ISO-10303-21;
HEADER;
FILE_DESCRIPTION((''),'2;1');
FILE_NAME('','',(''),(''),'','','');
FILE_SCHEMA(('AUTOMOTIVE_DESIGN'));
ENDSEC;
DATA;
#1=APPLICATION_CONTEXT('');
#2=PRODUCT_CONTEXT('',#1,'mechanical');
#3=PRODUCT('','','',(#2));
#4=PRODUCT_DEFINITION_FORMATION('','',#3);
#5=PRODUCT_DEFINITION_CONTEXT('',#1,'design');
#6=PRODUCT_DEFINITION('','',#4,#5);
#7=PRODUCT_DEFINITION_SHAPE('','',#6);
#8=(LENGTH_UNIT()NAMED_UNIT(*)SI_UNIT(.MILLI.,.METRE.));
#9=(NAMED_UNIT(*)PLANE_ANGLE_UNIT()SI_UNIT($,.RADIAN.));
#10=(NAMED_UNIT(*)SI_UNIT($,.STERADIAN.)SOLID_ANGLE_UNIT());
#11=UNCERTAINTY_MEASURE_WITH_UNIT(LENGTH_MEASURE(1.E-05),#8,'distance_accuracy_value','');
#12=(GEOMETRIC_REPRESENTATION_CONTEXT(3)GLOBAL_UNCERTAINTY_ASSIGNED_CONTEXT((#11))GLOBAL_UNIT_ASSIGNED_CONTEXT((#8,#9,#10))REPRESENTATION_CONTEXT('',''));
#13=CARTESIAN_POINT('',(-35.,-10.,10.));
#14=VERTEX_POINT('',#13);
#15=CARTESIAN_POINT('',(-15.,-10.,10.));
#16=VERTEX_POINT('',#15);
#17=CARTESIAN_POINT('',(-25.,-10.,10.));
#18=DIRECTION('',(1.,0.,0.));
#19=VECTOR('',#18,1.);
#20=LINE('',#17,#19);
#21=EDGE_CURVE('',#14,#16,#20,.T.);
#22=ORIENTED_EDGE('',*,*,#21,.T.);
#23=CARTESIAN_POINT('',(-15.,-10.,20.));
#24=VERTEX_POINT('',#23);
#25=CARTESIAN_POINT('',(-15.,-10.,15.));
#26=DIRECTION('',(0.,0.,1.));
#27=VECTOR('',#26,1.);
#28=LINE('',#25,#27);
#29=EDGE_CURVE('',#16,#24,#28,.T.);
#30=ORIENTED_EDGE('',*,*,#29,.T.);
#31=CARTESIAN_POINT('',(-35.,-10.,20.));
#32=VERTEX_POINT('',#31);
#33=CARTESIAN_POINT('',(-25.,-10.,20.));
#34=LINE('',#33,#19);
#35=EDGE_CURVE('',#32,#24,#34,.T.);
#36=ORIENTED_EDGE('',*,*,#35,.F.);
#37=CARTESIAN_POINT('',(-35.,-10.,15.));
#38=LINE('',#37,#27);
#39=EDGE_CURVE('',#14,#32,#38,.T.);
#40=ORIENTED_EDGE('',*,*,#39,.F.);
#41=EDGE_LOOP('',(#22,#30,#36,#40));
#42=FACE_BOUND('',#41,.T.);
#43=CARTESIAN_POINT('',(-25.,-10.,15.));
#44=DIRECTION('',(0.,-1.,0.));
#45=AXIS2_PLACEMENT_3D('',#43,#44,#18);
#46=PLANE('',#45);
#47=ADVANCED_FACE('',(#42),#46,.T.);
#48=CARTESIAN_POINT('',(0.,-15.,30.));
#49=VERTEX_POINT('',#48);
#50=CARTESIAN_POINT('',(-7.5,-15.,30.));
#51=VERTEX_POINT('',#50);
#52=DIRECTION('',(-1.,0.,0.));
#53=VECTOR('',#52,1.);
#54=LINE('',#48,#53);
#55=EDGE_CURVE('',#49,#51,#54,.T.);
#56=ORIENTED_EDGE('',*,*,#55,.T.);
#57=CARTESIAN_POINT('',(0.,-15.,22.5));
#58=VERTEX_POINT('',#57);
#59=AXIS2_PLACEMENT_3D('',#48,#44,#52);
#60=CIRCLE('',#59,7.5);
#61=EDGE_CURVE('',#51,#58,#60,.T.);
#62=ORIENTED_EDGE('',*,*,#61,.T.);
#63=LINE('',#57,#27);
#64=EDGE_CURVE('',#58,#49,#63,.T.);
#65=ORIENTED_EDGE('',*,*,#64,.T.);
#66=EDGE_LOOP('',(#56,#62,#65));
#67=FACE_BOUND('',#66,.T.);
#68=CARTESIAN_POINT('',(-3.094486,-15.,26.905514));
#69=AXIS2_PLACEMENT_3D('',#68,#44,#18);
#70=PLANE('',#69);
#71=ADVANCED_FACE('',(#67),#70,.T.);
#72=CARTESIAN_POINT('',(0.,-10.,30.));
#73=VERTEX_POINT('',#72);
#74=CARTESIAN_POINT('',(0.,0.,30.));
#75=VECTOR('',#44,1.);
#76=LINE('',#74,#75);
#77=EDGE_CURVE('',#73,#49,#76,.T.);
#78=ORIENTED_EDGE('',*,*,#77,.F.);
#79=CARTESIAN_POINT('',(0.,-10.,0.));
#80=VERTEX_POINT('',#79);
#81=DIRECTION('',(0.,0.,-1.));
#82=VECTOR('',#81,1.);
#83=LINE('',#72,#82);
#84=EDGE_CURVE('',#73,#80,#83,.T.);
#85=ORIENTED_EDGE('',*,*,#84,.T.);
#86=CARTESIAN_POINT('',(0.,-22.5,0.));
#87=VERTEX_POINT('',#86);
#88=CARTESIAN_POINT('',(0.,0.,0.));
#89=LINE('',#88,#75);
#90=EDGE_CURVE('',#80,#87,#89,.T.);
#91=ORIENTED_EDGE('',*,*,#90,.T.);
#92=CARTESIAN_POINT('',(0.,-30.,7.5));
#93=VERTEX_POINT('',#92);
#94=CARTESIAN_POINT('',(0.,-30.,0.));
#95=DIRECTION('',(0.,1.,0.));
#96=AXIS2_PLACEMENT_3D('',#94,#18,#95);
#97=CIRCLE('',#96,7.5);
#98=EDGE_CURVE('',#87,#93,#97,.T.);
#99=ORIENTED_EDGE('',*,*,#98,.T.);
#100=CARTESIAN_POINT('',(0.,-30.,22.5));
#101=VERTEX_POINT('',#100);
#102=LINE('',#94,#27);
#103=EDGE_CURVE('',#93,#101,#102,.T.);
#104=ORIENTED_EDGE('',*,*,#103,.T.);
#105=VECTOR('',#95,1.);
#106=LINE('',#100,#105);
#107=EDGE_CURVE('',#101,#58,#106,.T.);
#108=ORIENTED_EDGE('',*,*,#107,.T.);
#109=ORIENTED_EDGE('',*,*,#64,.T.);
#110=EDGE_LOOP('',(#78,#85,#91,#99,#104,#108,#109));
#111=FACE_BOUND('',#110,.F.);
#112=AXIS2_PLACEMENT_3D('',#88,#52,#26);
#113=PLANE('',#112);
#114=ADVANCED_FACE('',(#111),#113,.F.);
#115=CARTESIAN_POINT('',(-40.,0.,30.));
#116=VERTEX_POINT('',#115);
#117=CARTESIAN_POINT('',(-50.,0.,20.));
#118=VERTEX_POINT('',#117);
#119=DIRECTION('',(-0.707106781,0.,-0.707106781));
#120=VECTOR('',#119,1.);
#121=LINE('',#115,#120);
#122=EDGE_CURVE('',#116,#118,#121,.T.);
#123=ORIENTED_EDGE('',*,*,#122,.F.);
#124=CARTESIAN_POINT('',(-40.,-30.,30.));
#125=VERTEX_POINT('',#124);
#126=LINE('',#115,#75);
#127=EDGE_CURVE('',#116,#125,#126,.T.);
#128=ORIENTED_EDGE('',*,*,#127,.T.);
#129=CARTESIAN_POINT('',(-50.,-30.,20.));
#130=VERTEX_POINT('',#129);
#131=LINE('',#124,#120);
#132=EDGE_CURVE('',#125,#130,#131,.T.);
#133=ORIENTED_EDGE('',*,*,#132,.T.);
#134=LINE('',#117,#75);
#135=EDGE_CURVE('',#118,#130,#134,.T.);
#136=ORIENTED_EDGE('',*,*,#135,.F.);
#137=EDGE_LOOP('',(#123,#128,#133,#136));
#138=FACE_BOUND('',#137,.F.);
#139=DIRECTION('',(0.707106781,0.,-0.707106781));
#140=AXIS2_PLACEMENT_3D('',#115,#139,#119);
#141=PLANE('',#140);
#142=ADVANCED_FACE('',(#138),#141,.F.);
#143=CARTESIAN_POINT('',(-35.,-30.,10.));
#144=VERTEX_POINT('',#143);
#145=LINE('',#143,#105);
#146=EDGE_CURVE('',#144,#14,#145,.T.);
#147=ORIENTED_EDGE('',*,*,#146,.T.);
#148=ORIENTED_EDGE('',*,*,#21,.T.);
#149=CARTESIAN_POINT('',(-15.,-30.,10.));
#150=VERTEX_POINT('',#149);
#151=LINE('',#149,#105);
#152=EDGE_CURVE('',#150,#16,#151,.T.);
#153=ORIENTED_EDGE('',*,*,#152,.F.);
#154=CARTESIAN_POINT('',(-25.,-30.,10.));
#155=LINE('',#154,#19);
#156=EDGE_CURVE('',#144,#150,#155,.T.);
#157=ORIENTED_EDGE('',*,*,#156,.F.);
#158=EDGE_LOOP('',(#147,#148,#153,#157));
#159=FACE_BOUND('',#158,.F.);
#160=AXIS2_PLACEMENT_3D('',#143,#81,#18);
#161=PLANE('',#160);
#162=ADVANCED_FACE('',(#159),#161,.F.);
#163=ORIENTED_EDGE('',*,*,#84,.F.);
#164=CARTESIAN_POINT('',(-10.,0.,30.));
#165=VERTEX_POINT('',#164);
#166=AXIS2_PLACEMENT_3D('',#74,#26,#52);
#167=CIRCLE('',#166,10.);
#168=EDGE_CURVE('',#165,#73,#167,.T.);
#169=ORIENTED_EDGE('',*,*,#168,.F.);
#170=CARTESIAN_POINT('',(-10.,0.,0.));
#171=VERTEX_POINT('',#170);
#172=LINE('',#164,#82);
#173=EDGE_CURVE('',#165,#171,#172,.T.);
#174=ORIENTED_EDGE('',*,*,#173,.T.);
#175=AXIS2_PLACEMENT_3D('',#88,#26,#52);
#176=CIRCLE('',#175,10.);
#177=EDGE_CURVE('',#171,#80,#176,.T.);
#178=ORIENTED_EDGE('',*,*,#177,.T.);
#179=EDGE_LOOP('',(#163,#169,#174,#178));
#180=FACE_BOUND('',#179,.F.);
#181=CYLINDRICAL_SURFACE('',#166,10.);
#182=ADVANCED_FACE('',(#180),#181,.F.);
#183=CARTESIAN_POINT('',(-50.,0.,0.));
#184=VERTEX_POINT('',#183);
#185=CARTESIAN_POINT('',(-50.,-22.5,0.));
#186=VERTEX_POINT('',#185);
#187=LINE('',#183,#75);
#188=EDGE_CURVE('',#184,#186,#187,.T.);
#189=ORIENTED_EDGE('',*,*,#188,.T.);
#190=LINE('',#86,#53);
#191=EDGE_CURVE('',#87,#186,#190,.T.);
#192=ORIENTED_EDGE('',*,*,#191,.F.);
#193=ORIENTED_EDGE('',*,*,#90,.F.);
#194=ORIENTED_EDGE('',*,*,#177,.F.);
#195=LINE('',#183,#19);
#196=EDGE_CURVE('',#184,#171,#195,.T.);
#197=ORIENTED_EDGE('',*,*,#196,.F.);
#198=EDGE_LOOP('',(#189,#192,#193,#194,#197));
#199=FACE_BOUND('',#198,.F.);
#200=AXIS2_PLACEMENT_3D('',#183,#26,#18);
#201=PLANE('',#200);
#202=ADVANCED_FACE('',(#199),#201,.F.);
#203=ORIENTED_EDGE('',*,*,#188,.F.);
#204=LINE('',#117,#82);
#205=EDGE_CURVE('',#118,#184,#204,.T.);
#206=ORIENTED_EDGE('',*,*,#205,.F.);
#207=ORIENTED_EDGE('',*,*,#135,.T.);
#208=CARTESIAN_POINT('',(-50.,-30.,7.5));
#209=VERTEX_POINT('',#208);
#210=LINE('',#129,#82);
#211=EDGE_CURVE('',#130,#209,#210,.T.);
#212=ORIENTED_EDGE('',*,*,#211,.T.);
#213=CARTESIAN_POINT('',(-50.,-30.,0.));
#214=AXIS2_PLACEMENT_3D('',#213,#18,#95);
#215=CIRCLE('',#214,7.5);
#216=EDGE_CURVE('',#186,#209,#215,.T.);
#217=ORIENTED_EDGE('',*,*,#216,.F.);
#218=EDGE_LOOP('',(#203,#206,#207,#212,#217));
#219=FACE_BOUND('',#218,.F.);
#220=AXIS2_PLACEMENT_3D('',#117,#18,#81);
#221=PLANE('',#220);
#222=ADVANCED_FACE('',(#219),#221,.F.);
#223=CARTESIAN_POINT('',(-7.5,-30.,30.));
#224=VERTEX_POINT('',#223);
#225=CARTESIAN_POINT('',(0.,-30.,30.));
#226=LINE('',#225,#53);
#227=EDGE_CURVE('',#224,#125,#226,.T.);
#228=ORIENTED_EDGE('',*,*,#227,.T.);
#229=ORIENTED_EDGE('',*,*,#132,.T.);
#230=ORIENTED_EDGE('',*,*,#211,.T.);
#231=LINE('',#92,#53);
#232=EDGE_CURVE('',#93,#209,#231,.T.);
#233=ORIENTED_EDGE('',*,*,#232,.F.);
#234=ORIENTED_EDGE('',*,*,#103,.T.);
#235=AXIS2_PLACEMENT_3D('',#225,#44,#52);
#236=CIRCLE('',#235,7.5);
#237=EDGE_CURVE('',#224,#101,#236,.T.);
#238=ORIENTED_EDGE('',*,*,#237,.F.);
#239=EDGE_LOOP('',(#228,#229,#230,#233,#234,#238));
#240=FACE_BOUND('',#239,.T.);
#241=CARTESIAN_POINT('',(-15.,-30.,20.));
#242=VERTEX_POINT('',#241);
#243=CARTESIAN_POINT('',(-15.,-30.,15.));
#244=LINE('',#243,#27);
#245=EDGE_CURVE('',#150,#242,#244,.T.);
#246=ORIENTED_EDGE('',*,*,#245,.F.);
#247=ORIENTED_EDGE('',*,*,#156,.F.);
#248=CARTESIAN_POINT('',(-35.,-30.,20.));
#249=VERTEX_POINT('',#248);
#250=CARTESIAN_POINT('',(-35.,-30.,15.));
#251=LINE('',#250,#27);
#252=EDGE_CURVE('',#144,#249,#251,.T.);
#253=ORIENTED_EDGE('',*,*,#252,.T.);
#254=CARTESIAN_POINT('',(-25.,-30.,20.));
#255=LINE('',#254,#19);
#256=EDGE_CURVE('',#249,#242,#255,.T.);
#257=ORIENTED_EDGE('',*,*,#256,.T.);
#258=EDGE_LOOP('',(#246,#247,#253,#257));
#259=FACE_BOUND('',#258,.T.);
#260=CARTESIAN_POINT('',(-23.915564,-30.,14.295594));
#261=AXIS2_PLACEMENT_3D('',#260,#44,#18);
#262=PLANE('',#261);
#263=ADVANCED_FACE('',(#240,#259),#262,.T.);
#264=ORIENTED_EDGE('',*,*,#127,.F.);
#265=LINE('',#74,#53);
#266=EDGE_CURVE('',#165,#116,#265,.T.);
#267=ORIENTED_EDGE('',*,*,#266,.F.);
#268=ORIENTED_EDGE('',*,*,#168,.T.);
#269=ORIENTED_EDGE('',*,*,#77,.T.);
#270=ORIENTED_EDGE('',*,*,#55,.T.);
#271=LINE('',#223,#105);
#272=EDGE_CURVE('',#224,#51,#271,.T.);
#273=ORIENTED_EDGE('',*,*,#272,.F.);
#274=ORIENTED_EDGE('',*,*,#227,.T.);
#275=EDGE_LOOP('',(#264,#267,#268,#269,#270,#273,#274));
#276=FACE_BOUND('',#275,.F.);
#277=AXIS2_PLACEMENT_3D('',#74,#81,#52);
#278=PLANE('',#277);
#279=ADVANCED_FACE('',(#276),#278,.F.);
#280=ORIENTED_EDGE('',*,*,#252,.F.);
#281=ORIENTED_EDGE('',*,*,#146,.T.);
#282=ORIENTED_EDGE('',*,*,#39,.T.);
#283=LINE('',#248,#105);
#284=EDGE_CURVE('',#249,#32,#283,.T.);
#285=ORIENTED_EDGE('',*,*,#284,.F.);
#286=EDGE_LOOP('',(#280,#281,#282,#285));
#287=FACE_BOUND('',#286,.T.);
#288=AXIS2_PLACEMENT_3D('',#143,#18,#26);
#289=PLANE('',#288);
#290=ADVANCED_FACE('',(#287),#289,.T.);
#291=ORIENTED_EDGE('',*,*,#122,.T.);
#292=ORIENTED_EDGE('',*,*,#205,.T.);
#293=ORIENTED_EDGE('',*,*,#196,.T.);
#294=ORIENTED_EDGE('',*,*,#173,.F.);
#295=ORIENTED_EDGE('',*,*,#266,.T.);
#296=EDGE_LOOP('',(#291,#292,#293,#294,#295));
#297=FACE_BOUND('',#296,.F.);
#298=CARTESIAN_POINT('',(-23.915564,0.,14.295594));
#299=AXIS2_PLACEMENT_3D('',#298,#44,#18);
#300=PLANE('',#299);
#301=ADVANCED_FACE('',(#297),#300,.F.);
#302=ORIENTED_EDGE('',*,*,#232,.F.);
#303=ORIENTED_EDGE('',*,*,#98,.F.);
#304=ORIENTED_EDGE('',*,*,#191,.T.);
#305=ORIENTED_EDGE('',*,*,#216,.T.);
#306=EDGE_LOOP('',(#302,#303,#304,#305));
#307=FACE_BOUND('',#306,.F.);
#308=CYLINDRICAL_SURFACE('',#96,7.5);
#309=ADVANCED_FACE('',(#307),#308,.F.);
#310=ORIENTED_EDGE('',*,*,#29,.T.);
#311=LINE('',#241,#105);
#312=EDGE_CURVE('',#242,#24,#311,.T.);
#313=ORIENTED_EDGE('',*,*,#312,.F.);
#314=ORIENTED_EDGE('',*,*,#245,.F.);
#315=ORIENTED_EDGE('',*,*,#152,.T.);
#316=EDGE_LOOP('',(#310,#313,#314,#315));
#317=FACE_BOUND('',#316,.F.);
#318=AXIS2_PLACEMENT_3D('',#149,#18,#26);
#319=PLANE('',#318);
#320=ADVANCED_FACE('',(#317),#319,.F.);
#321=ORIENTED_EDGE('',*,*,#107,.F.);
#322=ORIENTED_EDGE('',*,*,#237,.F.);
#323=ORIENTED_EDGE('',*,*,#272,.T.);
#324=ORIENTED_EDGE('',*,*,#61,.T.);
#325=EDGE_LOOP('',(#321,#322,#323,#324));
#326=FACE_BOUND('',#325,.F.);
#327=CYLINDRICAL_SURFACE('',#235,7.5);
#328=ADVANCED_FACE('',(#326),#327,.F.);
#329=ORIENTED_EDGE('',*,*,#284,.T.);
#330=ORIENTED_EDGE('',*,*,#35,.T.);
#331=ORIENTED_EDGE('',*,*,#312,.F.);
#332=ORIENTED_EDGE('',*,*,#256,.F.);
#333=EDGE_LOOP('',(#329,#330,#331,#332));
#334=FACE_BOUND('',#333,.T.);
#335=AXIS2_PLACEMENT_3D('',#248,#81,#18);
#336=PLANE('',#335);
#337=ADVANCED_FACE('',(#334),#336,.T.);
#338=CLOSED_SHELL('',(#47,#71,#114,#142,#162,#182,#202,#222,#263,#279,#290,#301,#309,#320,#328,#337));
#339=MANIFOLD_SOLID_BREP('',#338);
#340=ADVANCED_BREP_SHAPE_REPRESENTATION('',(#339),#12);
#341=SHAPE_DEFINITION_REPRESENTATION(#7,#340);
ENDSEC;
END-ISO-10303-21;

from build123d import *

# Parameters (mm, degrees)
F1_DEPTH = 30
F2_W     = 20
F2_H     = 10
F3_DEPTH = 20
F5_DEPTH = 15
F7_DEPTH = 50.001
F9_DEPTH = 30.001


with BuildPart() as f1:
    # F0 (on Front) → F1 (new body)
    with BuildSketch(Plane.XZ):
        Polygon((-50, 0), (0, 0), (0, 30), (-40, 30), (-50, 20), align=None)
    extrude(amount=F1_DEPTH)

    # F2 (on face) → F3 (cut)
    with BuildSketch(Plane.XZ.offset(30)):
        with Locations((-25, 15)):
            Rectangle(F2_W, F2_H)
    extrude(amount=-F3_DEPTH, mode=Mode.SUBTRACT)

    # F4 (on face) → F5 (cut)
    with BuildSketch(Plane.XZ.offset(30)):
        with BuildLine():
            Line((0, 30), (-7.5, 30))
            ThreePointArc((-7.5, 30), (-5.3033008589, 24.6966991411), (0, 22.5))
            Line((0, 22.5), (0, 30))
        make_face()
    extrude(amount=-F5_DEPTH, mode=Mode.SUBTRACT)

    # F6 (on face) → F7 (cut, through all)
    with BuildSketch(Plane.YZ):
        with BuildLine():
            Line((-30, 0), (-22.5, 0))
            ThreePointArc((-22.5, 0), (-24.6966991411, 5.3033008589), (-30, 7.5))
            Line((-30, 7.5), (-30, 0))
        make_face()
    extrude(amount=-F7_DEPTH, mode=Mode.SUBTRACT)

    # F8 (on face) → F9 (cut, through all)
    with BuildSketch(Plane.XY.offset(30)):
        with BuildLine():
            Line((0, 0), (-10, 0))
            ThreePointArc((-10, 0), (-7.0710678119, -7.0710678119), (0, -10))
            Line((0, -10), (0, 0))
        make_face()
    extrude(amount=-F9_DEPTH, mode=Mode.SUBTRACT)


solid = f1.part
